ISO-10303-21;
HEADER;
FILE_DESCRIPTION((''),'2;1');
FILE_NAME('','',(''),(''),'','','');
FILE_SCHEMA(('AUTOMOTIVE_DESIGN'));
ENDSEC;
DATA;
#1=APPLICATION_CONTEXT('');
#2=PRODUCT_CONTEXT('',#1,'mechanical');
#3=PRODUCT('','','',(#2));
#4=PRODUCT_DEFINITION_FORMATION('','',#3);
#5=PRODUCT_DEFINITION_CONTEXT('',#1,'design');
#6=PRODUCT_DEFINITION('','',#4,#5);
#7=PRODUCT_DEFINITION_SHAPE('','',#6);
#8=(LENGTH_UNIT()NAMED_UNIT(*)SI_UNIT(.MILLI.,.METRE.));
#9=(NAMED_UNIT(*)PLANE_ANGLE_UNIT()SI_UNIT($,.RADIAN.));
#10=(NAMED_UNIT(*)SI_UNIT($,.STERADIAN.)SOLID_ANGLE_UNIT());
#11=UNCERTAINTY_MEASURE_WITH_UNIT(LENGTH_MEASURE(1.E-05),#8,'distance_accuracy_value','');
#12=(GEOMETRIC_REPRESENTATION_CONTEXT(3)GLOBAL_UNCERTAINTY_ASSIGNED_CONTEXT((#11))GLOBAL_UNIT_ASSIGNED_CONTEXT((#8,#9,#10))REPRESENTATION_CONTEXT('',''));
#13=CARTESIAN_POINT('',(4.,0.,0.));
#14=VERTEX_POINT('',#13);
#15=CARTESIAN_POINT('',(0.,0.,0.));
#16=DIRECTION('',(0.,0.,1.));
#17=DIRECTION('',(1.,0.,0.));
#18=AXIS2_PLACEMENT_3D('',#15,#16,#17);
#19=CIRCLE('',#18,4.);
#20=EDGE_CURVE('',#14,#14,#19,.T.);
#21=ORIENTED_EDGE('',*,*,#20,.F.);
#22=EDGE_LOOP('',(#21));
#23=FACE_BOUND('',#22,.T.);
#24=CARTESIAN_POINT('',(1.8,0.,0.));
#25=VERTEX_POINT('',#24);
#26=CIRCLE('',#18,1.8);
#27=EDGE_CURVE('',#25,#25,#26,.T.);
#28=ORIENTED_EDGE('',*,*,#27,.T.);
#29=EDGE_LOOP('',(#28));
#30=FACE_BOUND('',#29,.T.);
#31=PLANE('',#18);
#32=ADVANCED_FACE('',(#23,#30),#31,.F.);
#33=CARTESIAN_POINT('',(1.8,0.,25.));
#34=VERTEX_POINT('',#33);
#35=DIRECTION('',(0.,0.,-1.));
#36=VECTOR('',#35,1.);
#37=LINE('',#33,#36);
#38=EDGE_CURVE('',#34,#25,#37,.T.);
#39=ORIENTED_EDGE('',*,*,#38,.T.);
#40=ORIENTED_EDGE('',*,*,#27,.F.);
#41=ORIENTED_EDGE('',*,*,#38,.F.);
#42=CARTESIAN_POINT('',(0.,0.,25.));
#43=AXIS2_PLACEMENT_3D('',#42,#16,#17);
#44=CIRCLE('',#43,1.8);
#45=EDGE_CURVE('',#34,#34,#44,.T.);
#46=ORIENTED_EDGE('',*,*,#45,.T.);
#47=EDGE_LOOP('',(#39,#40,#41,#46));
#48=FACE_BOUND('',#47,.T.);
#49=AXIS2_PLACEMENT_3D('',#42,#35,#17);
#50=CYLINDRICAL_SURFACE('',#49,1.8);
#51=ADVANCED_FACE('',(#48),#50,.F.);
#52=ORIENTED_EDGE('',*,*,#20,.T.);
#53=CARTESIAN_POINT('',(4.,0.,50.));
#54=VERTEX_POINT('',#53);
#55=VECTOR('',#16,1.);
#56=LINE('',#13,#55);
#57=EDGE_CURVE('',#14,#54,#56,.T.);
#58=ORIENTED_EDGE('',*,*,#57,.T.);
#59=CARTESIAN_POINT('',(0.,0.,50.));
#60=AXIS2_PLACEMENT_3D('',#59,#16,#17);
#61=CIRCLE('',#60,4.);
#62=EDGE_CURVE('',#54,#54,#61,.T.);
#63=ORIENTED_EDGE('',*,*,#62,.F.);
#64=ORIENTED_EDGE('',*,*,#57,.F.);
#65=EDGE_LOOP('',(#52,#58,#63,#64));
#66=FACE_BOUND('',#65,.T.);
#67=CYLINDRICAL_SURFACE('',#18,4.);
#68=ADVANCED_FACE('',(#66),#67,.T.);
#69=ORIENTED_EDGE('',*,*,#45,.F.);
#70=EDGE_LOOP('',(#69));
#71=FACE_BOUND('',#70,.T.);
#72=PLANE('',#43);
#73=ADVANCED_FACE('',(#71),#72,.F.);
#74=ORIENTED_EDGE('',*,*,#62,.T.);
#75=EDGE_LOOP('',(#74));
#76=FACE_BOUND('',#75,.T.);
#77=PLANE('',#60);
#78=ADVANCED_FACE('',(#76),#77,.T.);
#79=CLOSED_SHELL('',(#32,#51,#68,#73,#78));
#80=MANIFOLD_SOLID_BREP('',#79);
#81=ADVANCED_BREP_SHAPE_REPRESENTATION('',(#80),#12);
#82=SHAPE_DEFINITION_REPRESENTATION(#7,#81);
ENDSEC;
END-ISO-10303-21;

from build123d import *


with BuildPart() as part:
    # Sketch → Revolution (revolve)
    with BuildSketch(Plane.XZ):
        Polygon((0, 50), (0, 25), (1.8, 25), (1.8, 0), (4, 0), (4, 50), align=None)
    revolve(axis=Axis((0, 0, 0), (0, 0, 1)))


solid = part.part
